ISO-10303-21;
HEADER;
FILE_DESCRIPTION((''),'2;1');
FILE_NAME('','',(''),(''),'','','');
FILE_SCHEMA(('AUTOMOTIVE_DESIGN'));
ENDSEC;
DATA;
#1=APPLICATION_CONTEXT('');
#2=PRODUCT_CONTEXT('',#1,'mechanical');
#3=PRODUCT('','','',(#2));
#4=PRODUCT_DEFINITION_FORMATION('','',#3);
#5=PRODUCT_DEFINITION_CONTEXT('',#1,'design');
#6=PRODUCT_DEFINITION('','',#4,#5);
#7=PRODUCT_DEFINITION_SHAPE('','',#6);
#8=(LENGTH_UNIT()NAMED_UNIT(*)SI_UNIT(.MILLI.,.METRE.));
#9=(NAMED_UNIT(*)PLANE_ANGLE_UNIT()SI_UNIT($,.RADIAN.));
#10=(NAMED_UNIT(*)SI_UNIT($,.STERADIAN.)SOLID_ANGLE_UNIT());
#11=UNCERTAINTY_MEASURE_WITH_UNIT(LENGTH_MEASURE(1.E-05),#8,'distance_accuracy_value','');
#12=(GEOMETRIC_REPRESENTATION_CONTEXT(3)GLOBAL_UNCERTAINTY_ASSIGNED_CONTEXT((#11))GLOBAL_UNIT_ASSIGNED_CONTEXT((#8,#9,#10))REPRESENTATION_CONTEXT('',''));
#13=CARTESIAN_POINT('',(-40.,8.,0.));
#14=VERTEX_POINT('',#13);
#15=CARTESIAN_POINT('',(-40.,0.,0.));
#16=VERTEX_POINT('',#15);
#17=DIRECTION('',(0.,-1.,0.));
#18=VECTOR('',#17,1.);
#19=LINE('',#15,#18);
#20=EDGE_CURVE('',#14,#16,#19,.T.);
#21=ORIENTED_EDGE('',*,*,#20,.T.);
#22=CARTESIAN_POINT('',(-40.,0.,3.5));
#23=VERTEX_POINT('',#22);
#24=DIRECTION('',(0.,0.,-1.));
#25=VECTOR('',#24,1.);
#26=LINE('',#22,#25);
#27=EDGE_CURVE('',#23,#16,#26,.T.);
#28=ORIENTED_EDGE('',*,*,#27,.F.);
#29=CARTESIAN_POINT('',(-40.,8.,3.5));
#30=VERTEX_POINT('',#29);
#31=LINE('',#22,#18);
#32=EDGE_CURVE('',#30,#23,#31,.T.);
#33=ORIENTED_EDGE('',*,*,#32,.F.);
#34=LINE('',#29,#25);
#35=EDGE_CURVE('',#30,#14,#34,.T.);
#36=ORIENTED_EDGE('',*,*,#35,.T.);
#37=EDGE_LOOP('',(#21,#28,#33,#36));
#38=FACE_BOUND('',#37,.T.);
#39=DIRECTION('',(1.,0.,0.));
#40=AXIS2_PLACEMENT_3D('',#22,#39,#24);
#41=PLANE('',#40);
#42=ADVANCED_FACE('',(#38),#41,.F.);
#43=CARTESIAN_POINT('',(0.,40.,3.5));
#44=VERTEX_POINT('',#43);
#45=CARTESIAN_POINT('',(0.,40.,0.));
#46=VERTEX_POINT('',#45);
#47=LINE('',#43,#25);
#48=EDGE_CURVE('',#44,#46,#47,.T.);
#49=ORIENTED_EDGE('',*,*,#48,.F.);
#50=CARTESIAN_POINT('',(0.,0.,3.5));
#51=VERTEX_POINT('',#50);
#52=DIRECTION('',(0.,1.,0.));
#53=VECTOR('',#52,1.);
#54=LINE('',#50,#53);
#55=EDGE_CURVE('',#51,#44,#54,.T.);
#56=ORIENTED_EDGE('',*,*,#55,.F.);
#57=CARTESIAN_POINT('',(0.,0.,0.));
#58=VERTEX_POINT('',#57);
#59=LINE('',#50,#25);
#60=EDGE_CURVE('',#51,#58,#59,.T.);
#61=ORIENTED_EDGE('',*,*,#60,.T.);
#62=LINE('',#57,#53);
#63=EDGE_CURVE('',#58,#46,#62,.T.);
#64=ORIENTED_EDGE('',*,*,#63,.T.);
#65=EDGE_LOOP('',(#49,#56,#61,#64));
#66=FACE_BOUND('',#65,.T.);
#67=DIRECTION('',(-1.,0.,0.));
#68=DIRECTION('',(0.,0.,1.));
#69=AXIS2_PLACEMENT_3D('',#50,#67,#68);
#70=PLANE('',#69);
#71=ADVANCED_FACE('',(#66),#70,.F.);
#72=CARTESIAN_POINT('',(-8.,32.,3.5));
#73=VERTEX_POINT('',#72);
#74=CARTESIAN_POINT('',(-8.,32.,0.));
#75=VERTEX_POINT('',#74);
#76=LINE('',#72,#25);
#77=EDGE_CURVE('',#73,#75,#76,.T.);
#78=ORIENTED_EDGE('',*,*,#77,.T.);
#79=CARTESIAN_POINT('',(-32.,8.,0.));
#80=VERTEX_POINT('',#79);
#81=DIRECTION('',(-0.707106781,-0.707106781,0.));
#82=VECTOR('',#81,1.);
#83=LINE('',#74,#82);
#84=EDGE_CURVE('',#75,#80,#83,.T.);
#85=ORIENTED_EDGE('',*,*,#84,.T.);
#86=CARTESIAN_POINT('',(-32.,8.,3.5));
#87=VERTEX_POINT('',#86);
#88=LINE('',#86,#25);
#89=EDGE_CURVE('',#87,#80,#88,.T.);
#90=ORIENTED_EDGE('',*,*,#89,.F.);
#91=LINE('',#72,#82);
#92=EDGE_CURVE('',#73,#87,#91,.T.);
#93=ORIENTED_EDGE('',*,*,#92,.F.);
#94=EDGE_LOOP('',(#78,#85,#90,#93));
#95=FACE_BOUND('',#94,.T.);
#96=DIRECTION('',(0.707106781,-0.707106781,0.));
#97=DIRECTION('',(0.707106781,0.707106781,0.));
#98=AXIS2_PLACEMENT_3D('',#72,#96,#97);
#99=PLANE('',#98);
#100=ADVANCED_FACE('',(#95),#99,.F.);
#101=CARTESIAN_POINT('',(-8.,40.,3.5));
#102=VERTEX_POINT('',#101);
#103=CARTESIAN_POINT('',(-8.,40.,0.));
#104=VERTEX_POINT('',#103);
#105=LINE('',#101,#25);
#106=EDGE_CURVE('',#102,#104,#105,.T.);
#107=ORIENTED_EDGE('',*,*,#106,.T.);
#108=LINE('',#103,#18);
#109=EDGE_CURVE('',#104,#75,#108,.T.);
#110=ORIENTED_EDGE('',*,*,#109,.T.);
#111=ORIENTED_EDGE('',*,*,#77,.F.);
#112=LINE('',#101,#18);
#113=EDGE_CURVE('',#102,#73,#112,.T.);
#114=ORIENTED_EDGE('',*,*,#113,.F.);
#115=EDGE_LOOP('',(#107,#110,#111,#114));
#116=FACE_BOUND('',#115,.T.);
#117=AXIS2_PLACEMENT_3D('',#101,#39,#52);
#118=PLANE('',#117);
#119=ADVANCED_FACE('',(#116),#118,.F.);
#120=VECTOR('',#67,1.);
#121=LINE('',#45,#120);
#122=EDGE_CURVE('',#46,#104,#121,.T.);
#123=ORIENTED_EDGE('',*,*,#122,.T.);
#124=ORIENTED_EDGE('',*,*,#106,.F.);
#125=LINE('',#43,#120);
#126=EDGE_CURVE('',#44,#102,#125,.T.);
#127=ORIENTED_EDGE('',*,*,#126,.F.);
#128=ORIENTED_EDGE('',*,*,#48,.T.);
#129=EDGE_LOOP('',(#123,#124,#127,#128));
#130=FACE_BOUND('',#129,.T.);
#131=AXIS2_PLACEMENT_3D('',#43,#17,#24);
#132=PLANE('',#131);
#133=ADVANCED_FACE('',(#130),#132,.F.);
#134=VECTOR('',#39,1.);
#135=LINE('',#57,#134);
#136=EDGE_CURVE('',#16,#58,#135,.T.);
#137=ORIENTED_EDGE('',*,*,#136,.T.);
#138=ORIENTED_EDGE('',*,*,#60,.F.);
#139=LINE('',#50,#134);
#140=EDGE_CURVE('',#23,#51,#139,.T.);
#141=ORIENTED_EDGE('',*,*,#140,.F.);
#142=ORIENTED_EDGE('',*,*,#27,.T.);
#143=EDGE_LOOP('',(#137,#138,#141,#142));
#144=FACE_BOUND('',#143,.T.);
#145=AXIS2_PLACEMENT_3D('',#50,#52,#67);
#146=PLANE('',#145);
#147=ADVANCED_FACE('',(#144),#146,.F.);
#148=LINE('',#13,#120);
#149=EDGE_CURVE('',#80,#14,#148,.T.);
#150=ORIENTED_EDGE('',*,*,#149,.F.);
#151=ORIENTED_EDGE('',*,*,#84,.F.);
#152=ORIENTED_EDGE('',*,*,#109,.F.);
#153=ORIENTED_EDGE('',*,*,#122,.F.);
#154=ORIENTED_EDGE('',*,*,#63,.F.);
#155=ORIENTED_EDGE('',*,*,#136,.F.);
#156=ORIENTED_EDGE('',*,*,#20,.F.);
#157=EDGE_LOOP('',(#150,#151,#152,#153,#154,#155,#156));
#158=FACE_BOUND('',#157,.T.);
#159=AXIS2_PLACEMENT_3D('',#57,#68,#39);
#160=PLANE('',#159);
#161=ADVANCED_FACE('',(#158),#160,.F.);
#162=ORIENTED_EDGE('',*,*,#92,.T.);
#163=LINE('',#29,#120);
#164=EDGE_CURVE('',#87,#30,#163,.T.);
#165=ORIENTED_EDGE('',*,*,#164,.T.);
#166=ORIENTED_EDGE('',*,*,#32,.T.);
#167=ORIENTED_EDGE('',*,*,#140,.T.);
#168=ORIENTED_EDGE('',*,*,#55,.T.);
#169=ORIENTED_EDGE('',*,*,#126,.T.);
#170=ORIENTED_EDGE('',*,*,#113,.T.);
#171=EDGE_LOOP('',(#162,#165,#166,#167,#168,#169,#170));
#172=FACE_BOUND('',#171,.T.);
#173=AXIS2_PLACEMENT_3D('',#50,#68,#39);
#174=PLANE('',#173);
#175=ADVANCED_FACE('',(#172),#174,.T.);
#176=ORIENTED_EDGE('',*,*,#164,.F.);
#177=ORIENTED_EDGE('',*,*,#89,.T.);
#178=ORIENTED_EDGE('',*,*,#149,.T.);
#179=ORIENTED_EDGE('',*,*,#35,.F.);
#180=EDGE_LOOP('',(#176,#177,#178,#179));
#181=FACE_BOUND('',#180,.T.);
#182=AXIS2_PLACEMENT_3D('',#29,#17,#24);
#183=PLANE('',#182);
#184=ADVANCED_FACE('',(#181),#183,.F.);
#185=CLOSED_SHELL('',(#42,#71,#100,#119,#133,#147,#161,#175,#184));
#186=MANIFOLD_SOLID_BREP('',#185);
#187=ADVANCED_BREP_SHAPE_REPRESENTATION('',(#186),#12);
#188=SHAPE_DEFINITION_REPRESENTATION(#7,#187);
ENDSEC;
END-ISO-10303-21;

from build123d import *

# Parameters (mm, degrees)
EXTRUDE_1_DEPTH = 3.5


with BuildPart() as part:
    # 草图1 → 凸台-拉伸1 (new body)
    with BuildSketch(Plane.XY):
        Polygon((0, 0), (-40, 0), (-40, 8), (-32, 8), (-8, 32), (-8, 40), (0, 40), align=None)
    extrude(amount=EXTRUDE_1_DEPTH)


solid = part.part
